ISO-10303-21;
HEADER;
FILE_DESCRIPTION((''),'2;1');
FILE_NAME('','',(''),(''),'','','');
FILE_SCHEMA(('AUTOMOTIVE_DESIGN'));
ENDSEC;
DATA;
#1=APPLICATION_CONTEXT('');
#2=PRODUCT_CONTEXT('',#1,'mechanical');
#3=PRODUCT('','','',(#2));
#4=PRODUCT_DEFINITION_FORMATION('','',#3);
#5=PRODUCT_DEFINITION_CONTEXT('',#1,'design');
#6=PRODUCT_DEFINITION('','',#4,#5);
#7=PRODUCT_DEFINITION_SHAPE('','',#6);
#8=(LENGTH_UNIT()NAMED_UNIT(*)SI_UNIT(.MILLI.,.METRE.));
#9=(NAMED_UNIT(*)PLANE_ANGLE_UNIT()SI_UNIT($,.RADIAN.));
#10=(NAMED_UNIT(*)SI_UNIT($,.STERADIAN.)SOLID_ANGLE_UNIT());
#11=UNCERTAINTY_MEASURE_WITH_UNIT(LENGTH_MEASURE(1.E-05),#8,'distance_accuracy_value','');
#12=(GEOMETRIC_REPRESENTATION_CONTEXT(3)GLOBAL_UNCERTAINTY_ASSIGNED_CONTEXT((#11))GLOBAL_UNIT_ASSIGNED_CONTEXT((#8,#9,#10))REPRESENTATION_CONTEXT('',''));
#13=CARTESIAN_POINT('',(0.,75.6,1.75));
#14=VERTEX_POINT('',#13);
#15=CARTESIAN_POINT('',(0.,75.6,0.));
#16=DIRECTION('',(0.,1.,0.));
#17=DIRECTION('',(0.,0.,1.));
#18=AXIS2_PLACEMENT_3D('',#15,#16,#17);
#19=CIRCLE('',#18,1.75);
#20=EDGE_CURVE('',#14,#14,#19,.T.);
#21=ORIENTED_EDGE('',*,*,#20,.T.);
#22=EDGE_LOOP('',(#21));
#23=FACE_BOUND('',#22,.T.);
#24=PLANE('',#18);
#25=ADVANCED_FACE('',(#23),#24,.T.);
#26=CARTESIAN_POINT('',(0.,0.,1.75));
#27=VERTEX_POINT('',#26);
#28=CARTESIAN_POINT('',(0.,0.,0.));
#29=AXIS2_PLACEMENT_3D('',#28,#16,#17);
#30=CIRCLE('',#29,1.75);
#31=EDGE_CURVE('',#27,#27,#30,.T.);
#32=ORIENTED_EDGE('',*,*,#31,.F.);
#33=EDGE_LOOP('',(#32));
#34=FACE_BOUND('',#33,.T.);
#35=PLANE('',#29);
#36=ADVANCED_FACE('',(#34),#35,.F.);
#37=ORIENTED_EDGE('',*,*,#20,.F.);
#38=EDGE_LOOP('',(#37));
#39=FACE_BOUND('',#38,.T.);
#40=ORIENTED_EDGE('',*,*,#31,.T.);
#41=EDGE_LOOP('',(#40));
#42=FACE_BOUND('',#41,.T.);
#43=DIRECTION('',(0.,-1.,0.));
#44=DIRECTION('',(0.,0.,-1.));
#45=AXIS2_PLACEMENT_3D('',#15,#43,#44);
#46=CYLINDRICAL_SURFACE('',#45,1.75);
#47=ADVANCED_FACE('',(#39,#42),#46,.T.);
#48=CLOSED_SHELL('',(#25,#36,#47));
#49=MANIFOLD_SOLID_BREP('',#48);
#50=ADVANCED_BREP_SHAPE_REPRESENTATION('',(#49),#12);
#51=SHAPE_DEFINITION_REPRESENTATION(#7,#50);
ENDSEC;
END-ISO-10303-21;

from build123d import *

# Parameters (mm, degrees)
SKETCH_1_R      = 1.75
EXTRUDE_1_DEPTH = 75.6


with BuildPart() as part:
    # 草图1 → 凸台-拉伸1 (new body)
    with BuildSketch(Plane(origin=(0, 0, 0), x_dir=(1, 0, 0), z_dir=(0, 1, 0))):
        with Locations(Location((0, 0, 0), (0, 0, 270))):
            Circle(SKETCH_1_R)
    extrude(amount=EXTRUDE_1_DEPTH)


solid = part.part
